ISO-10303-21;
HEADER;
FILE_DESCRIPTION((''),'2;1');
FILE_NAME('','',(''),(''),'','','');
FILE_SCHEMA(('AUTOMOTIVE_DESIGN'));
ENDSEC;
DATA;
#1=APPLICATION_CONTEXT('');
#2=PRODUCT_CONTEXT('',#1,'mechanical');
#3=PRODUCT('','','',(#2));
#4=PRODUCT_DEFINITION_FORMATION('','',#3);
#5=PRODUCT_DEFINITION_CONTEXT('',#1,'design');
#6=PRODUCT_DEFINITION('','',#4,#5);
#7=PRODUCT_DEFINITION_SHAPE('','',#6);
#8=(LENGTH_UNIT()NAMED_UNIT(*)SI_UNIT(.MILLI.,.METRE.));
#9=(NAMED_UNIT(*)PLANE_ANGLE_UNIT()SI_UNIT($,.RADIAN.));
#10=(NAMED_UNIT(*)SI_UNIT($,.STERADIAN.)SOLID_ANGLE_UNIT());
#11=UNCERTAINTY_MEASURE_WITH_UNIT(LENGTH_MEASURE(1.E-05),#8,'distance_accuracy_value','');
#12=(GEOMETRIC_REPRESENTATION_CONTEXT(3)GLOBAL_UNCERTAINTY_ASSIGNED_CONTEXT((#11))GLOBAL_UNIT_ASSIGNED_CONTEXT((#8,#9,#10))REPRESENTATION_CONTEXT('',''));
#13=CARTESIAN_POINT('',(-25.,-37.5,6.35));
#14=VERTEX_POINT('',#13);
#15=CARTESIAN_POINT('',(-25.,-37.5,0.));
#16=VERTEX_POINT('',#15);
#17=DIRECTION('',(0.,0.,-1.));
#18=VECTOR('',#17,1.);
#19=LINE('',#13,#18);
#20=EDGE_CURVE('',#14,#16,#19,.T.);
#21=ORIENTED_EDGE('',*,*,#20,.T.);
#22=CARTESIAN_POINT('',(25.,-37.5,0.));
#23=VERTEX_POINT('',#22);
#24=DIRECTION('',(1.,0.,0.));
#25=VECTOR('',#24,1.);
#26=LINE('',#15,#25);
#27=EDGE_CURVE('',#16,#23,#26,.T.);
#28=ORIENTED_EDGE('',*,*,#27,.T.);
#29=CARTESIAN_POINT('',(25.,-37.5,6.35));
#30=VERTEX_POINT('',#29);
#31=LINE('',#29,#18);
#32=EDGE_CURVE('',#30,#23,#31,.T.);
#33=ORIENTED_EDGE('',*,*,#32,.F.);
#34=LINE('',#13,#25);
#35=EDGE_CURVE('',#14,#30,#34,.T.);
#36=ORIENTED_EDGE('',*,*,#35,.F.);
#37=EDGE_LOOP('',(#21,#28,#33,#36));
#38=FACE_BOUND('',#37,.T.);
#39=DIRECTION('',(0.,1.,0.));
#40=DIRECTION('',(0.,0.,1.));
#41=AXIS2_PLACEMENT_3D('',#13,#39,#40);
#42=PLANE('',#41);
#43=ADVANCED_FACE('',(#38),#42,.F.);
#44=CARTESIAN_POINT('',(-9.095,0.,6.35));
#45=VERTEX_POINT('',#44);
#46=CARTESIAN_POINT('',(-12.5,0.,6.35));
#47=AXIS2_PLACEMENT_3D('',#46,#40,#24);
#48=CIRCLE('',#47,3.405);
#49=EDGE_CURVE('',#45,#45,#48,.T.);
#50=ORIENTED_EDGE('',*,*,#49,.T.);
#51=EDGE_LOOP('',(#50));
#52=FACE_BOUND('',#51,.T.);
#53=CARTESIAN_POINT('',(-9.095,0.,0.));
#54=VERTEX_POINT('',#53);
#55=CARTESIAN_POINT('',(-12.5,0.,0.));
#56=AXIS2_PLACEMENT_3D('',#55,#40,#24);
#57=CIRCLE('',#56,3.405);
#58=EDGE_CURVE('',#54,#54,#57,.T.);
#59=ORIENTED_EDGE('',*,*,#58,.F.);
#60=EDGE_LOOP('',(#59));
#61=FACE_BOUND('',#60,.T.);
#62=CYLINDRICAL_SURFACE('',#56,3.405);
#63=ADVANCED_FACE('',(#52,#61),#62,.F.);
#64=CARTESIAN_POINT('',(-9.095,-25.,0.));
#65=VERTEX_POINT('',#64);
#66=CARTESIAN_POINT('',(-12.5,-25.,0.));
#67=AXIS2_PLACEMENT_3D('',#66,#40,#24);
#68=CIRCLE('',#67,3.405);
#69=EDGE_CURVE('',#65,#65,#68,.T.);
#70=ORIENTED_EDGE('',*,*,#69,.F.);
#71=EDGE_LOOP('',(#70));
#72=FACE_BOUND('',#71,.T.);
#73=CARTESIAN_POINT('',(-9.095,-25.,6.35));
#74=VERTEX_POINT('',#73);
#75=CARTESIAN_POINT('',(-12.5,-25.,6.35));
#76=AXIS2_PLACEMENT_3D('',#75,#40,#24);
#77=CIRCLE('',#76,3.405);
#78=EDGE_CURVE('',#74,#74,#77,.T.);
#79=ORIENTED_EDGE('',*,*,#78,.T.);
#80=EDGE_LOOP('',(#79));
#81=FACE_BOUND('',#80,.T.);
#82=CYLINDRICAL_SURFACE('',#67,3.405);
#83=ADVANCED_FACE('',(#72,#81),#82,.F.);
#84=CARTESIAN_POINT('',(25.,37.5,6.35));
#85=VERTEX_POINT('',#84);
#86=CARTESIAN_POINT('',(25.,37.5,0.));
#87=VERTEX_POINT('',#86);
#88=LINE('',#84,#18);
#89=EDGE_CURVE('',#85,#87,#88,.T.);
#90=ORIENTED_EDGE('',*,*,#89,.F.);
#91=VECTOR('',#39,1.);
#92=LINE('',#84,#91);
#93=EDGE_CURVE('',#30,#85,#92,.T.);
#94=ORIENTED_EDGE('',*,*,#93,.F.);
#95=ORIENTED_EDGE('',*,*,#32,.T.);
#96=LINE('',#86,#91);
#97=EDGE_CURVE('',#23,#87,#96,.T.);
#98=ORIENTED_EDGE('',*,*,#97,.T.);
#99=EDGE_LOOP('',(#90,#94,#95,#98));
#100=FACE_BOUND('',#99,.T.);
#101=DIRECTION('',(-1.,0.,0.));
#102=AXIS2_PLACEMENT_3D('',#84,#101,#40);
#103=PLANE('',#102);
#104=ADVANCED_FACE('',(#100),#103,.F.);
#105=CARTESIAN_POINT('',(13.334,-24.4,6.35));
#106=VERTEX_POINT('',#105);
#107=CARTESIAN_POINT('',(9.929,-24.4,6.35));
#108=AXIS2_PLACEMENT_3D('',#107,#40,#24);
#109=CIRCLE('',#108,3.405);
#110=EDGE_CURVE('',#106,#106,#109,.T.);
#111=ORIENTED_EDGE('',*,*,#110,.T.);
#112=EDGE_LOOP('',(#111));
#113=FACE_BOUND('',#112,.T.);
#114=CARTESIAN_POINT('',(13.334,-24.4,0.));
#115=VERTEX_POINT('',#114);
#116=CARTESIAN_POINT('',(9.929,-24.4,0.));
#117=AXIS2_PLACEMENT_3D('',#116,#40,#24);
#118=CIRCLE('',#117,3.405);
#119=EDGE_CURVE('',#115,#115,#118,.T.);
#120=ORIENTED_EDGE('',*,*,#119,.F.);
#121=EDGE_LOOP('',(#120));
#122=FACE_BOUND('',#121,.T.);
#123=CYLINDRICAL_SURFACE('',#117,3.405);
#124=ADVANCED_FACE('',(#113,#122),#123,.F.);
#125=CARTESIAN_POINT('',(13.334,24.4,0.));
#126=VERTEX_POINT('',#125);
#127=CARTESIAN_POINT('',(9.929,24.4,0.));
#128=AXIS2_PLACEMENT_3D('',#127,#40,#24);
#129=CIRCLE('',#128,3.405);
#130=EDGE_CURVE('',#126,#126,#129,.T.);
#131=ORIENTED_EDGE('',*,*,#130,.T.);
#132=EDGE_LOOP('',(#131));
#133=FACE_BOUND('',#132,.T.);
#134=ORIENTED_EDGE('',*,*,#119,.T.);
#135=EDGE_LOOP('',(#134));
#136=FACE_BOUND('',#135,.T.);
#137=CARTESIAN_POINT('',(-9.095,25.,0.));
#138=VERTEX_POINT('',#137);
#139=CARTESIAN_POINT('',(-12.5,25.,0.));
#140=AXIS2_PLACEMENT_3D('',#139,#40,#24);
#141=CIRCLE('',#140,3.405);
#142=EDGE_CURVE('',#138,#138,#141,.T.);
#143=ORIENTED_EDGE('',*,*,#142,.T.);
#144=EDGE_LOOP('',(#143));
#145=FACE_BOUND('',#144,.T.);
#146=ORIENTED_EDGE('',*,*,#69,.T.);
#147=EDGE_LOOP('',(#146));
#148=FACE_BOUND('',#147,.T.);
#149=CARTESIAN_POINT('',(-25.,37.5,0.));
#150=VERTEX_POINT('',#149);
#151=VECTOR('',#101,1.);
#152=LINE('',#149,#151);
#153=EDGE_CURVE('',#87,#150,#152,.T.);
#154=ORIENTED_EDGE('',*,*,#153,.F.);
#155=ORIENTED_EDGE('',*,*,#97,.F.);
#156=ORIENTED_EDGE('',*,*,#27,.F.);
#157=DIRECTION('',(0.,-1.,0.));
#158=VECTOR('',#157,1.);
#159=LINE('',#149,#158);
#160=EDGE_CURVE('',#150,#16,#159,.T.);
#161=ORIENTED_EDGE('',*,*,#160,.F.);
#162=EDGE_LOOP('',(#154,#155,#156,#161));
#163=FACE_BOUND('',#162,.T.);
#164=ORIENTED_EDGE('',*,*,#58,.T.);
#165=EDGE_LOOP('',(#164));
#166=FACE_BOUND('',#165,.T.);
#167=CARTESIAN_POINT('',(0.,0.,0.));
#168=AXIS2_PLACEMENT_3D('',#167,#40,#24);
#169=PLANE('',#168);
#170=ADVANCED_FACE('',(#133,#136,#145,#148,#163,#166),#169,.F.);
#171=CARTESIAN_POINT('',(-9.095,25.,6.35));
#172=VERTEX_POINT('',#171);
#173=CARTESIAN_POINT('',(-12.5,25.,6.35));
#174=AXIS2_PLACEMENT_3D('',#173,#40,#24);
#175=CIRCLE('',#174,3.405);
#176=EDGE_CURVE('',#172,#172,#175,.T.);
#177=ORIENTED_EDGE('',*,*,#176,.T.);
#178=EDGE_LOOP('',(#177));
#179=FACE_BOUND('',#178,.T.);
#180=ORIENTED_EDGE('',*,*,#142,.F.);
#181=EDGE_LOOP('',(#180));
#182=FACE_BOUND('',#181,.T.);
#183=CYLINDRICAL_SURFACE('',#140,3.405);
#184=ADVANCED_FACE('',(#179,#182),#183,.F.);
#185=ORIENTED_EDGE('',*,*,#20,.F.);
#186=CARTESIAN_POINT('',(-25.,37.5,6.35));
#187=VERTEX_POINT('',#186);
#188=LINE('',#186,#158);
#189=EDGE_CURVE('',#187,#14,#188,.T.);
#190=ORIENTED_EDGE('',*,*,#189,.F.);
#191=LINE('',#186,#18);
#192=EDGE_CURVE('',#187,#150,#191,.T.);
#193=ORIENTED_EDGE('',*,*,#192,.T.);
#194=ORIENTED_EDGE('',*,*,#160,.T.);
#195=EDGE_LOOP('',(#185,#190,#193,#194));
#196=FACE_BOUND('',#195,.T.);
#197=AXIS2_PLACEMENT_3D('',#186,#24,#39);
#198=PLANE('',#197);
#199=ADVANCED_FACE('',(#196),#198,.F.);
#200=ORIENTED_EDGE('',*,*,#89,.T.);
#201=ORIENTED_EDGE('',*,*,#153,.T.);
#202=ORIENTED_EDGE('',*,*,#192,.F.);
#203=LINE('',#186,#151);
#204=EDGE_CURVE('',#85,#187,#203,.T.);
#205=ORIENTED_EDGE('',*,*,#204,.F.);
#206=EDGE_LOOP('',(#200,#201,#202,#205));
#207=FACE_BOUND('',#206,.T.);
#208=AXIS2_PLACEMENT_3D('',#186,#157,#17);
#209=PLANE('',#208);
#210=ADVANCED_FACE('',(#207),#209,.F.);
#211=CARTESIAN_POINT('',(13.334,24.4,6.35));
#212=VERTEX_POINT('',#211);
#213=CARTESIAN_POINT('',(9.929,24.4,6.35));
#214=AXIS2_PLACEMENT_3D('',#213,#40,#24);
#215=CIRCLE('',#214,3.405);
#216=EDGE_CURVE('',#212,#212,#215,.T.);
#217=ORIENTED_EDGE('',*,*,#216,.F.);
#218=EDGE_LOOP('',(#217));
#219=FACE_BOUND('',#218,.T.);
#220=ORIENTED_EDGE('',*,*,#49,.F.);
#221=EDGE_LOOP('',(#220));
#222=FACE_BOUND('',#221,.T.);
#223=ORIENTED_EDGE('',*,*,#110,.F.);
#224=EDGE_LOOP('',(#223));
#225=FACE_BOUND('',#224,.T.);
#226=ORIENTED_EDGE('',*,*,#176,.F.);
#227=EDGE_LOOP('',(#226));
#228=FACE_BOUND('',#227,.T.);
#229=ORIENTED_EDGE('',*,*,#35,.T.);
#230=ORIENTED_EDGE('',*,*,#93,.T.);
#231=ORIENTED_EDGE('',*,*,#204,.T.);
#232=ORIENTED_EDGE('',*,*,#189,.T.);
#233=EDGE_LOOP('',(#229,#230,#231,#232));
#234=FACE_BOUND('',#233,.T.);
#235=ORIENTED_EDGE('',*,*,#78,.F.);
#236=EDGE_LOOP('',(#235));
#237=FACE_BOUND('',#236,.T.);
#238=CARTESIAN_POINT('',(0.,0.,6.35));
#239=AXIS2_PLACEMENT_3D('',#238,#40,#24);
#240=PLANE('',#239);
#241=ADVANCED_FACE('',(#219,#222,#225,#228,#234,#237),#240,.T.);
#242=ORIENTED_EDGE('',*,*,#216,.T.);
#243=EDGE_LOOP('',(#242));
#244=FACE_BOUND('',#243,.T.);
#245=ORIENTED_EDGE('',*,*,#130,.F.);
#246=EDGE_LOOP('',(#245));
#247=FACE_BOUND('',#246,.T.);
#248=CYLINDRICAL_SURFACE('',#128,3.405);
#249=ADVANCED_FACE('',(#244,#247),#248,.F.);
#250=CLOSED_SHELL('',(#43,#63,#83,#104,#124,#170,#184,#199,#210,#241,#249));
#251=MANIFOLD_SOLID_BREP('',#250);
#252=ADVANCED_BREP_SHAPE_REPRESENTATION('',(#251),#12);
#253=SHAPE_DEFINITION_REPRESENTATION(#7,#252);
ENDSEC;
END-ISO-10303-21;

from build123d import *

# Parameters (mm, degrees)
SKETCH1_W           = 50
SKETCH1_H           = 75
BOSS_EXTRUDE1_DEPTH = 6.35
SKETCH2_R           = 3.405
CUT_EXTRUDE1_DEPTH  = 7.35


with BuildPart() as part:
    # Sketch1 → Boss-Extrude1 (new body)
    with BuildSketch(Plane.XY):
        Rectangle(SKETCH1_W, SKETCH1_H)
    extrude(amount=BOSS_EXTRUDE1_DEPTH)

    # Sketch2 → Cut-Extrude1 (cut, through all)
    with BuildSketch(Plane.XY.offset(6.35)):
        with Locations((-12.5, 25)):
            Circle(SKETCH2_R)
        with Locations((9.929, 24.4)):
            Circle(SKETCH2_R)
        with Locations((-12.5, 0)):
            Circle(SKETCH2_R)
        with Locations((-12.5, -25)):
            Circle(SKETCH2_R)
        with Locations((9.929, -24.4)):
            Circle(SKETCH2_R)
    extrude(amount=-CUT_EXTRUDE1_DEPTH, mode=Mode.SUBTRACT)


solid = part.part
